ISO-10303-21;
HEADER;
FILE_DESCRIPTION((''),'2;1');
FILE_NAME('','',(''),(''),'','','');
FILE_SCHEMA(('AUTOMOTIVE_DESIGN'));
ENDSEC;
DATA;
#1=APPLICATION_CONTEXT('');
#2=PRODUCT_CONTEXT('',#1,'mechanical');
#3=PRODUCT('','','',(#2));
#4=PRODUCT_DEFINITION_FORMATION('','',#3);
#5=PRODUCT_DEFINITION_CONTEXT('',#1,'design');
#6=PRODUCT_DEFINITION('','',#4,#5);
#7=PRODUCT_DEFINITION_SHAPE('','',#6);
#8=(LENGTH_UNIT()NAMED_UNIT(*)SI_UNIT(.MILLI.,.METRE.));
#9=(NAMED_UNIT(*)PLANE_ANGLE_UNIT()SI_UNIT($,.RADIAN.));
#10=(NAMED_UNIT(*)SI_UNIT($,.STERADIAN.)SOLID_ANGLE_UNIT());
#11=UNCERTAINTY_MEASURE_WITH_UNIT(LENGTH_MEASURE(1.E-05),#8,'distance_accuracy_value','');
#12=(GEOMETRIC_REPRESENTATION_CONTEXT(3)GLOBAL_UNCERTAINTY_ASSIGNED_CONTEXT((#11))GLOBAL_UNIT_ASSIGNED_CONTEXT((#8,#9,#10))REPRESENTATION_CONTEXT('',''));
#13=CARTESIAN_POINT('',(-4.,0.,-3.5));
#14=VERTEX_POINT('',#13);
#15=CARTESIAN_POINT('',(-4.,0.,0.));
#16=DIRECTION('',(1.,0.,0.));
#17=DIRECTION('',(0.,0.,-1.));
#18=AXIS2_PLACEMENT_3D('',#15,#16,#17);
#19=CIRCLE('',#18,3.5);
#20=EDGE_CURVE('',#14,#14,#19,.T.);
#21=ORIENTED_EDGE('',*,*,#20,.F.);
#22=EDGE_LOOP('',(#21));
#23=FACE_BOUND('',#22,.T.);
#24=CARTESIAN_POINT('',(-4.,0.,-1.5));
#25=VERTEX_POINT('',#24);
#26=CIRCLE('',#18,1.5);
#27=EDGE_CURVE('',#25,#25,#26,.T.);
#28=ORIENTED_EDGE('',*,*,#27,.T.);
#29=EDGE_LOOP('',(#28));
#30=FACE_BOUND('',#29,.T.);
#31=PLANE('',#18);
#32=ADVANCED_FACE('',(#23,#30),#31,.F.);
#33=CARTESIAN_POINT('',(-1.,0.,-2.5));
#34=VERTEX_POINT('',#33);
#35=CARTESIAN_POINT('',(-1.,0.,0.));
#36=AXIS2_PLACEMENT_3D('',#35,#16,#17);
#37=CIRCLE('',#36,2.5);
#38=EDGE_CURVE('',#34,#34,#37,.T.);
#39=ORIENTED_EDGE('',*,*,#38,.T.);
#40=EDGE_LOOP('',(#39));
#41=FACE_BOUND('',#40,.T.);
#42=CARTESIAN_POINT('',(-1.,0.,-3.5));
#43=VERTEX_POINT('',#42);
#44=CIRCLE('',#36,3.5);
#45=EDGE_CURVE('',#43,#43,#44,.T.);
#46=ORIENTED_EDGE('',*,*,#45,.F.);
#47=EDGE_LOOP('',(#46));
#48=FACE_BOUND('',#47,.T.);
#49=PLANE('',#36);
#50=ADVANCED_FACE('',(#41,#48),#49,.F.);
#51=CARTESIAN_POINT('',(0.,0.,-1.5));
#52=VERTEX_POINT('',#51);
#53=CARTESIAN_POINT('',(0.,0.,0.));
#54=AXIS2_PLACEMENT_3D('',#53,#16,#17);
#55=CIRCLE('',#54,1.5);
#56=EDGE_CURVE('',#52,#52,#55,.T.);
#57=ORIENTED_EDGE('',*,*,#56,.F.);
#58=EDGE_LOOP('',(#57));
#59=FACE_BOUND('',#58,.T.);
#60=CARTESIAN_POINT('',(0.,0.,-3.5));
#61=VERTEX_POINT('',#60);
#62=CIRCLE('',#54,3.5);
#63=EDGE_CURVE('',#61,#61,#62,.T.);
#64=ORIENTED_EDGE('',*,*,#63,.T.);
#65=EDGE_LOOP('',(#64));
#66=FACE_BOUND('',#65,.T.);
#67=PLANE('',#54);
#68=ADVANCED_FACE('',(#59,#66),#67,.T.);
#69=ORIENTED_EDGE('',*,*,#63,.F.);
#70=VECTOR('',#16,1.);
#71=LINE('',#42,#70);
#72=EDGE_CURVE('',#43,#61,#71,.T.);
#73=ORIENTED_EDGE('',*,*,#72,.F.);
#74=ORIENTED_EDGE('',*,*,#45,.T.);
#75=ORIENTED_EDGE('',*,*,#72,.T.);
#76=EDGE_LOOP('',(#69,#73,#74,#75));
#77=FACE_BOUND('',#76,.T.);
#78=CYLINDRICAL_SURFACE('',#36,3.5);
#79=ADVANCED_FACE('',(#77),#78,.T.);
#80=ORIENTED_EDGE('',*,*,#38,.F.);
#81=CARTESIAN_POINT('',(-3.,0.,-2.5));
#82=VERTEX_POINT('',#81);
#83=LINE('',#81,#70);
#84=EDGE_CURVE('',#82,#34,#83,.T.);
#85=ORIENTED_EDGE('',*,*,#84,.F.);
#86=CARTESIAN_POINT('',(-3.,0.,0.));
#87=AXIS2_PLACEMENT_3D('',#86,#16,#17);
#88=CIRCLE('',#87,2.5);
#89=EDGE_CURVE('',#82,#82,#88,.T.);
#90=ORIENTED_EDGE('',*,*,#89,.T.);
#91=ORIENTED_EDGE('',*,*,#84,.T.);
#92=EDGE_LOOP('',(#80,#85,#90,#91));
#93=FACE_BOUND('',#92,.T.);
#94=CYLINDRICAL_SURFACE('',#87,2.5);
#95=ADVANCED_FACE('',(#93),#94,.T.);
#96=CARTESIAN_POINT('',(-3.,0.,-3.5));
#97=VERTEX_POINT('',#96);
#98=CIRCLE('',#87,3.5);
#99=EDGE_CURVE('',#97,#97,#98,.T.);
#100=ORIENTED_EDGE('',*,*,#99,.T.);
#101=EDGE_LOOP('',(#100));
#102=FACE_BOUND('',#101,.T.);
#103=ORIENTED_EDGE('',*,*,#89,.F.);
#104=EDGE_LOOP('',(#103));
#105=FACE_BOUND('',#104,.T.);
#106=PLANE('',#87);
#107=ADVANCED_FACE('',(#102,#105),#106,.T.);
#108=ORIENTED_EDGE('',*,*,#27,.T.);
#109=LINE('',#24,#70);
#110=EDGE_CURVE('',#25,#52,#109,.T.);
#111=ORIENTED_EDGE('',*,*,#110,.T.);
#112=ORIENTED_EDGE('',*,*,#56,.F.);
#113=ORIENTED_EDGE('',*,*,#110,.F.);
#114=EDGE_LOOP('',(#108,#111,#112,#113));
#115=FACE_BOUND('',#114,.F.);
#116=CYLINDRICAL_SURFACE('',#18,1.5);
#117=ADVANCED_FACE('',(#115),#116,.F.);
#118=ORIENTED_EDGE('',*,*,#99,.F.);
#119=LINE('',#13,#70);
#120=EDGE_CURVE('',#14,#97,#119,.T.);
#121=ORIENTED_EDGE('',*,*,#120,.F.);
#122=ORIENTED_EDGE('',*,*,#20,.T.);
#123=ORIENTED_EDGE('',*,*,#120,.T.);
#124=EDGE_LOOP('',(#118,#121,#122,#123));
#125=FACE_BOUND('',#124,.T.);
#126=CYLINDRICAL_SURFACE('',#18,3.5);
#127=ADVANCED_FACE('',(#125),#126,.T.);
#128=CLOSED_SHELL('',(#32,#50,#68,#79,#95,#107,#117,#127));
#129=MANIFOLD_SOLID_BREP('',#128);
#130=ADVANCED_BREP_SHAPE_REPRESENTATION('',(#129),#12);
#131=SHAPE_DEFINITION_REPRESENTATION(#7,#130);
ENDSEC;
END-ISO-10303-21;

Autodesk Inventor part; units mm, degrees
ref_plane "YZ Plane" through (0, 0, 0) normal (1, 0, 0) x (0, 1, 0)
ref_plane "XZ Plane" through (0, 0, 0) normal (0, 1, 0) x (-1, 0, 0)
ref_plane "XY Plane" through (0, 0, 0) normal (0, 0, 1) x (1, 0, 0)
sketch "スケッチ1" plane through (0, 0, 0) normal (0, 1, 0) x (-1, 0, 0)
  line L0 (4, 0) -> (4, -3.5)
  line L1 (4, -3.5) -> (3, -3.5)
  line L2 (3, -3.5) -> (3, -2.5)
  line L3 (3, -2.5) -> (1, -2.5)
  line L4 (1, -2.5) -> (1, -3.5)
  line L5 (1, -3.5) -> (0, -3.5)
  line L6 (0, -3.5) -> (0, 0)
  line L7 (4, 0) -> (0, 0)
  line L8 (4, -1.5) -> (0, -1.5)
  dimension "d1" = 1
  dimension "d2" = 2
  dimension "d3" = 1.5
  dimension "d4" = 1
  dimension "d5" = 1
revolve "回転1" add sketch "スケッチ1" angle 360 about axis through (-4, 0, 0) along (1, 0, 0) contours L0 L1 L2 L3 L4 L5 L6 L8
properties part number "Pulley_MotorSide"
